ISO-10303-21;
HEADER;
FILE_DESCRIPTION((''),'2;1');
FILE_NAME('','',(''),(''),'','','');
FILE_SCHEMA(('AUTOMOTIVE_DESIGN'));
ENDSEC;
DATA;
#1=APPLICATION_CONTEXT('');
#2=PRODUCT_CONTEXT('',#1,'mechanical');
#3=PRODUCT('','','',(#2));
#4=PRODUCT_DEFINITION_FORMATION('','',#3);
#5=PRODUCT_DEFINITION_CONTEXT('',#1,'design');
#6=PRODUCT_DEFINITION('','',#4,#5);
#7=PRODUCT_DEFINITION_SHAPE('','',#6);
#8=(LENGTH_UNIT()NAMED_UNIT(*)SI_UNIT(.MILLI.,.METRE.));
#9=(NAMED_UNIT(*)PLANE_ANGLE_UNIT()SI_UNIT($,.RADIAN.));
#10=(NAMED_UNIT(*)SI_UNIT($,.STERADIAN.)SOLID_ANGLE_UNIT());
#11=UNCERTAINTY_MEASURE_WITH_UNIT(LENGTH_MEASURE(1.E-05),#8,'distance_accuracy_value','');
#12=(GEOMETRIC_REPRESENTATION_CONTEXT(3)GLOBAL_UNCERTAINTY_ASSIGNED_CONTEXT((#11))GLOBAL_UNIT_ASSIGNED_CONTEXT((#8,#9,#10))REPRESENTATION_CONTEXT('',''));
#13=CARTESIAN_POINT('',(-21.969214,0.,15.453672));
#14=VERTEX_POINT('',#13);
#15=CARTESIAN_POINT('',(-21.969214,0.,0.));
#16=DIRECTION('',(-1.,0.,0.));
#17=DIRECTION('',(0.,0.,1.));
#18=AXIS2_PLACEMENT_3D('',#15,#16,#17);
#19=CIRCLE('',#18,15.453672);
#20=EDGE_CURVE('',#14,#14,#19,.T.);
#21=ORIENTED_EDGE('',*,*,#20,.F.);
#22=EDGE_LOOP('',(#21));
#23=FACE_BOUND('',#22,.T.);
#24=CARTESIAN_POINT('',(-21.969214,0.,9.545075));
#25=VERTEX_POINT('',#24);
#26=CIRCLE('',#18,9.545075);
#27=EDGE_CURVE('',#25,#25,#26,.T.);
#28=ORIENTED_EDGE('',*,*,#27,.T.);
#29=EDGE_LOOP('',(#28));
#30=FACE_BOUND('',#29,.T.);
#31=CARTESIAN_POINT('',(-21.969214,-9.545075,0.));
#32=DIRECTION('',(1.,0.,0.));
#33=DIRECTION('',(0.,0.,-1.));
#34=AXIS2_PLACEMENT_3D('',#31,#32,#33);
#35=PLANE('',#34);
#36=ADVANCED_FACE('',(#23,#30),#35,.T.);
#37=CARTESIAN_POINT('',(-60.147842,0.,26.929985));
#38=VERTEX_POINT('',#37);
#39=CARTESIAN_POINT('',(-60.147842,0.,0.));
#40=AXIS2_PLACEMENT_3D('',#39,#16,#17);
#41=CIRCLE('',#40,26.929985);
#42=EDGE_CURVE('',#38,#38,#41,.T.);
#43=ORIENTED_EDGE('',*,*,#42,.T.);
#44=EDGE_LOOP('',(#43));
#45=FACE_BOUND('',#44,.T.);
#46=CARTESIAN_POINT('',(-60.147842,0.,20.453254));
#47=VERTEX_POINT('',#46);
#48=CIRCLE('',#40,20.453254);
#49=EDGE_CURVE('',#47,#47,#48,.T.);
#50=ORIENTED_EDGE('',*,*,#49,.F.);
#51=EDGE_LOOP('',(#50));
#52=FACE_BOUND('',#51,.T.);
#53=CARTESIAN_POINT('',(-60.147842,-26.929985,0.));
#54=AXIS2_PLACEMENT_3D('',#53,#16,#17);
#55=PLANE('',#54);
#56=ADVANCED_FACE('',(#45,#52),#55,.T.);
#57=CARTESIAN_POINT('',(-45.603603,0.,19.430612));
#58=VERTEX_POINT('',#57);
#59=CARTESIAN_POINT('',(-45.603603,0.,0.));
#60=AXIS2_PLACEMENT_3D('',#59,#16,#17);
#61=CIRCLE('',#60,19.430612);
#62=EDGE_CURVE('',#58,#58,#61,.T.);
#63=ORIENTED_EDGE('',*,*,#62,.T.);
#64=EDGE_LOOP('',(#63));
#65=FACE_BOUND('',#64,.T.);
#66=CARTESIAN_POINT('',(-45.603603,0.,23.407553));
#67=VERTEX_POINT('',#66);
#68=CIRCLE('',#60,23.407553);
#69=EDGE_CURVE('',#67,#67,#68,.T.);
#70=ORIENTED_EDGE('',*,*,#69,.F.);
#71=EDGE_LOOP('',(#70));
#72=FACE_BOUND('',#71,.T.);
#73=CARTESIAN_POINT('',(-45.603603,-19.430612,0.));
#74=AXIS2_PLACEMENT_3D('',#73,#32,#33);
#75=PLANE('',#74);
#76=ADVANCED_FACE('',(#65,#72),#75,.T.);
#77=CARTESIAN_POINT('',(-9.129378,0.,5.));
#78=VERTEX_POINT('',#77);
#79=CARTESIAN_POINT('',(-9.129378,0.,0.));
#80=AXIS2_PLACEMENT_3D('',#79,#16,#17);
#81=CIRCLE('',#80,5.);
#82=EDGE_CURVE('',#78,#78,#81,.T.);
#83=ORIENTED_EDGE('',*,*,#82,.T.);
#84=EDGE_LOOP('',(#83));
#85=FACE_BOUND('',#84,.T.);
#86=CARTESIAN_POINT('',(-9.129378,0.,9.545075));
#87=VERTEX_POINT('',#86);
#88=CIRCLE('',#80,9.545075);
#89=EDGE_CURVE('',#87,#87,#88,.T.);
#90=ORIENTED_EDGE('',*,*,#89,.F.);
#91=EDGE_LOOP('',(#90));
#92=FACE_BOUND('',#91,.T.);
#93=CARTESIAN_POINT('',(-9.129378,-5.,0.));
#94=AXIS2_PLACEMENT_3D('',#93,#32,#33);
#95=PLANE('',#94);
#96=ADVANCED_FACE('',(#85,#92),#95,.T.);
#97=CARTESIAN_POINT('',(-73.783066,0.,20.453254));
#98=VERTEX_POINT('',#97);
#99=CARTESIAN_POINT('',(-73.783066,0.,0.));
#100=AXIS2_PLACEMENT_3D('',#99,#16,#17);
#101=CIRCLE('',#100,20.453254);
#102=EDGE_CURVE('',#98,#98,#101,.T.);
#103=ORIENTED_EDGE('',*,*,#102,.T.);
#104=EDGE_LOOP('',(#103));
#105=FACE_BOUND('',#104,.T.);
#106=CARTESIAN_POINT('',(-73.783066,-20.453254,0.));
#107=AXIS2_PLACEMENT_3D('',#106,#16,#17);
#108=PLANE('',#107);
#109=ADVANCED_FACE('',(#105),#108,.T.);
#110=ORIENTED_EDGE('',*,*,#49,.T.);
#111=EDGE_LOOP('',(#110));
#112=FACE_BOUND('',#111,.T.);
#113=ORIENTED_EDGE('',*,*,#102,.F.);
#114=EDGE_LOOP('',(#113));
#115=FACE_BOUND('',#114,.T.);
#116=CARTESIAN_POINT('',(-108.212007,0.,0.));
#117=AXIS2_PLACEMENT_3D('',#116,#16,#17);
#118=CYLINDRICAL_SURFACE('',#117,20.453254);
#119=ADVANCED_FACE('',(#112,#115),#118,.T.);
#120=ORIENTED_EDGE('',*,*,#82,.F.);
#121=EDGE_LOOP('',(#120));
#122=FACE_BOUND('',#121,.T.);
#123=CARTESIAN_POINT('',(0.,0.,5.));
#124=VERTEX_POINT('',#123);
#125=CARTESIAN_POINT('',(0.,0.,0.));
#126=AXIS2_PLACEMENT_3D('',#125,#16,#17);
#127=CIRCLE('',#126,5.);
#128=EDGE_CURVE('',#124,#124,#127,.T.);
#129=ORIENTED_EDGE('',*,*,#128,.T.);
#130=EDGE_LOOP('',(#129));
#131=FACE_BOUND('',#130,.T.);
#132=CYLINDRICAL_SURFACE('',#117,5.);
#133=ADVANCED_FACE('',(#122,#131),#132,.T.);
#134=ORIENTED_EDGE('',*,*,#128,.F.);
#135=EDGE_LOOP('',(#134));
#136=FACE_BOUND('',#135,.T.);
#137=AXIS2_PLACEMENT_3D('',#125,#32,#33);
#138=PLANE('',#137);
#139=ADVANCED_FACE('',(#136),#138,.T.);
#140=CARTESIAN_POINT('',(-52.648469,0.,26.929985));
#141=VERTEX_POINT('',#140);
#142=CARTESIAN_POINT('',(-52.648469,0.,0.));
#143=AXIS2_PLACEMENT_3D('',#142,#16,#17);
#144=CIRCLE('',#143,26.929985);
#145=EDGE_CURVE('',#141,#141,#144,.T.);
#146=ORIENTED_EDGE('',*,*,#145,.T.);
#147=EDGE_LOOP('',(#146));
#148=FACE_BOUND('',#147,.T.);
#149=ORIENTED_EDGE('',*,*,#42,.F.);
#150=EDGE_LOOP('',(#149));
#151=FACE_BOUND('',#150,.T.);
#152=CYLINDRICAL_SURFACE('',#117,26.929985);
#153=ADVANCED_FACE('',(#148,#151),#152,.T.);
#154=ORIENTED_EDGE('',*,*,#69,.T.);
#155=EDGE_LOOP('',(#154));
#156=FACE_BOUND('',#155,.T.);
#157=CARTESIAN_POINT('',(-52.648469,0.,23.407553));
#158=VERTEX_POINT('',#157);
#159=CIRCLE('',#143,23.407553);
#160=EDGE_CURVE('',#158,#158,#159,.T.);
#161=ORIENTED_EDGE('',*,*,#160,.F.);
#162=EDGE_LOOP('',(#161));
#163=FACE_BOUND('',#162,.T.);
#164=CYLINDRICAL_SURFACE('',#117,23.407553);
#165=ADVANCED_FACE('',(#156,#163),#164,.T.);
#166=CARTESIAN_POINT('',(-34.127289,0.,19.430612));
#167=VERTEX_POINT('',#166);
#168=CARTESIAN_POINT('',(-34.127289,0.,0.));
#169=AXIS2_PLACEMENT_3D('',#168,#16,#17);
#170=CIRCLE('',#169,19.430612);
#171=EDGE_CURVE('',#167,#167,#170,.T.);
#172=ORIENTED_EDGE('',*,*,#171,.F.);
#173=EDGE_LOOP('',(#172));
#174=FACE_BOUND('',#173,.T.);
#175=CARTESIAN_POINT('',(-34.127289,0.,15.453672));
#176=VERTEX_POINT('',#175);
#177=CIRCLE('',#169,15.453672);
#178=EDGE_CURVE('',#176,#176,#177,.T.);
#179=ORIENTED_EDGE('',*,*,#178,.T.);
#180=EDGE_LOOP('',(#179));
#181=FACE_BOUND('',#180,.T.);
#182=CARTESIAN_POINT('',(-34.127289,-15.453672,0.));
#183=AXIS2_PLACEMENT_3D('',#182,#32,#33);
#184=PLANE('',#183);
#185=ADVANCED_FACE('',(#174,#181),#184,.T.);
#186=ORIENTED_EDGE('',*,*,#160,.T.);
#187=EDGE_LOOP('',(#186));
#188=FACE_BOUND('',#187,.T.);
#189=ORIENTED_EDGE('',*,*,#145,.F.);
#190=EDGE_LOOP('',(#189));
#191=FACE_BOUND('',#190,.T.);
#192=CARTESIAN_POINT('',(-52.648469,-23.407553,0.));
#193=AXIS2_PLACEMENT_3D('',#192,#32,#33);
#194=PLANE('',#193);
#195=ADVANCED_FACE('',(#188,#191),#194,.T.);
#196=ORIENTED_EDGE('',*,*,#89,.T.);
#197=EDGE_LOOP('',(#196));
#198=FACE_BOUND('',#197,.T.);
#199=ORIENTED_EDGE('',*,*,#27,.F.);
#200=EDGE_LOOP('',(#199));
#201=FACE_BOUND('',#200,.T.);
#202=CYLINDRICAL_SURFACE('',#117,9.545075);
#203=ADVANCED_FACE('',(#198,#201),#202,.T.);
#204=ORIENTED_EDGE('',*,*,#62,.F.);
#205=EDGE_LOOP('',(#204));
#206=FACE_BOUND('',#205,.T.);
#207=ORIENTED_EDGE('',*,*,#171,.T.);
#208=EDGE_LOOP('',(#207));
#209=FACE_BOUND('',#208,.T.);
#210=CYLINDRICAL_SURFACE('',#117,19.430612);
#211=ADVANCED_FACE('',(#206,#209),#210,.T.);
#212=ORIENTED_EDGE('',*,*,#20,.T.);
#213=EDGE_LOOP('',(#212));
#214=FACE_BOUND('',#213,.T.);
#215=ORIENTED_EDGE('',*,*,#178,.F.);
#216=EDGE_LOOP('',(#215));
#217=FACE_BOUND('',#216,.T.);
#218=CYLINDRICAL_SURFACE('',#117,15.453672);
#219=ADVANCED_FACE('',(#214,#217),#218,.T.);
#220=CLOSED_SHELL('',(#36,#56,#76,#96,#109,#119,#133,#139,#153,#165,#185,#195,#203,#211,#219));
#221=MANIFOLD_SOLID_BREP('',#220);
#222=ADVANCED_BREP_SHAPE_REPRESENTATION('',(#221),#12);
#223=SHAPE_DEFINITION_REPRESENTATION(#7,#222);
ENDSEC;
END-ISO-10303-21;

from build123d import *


with BuildPart() as part:
    # Sketch2 → Revolve1 (revolve)
    with BuildSketch(Plane.XY, mode=Mode.PRIVATE) as revolve1_sk:
        Polygon((0, 0), (0, -5), (-9.129378178, -5), (-9.129378178, -9.54507471), (-21.969214234, -9.54507471), (-21.969214234, -15.453671833), (-34.127289084, -15.453671833), (-34.127289084, -19.430612205), (-45.603602727, -19.430612205), (-45.603602727, -23.407552576), (-52.648468528, -23.407552576), (-52.648468528, -26.929985476), (-60.147841799, -26.929985476), (-60.147841799, -20.453254015), (-73.78306593, -20.453254015), (-73.78306593, 0), align=None)
    revolve(revolve1_sk.sketch.rotate(Axis((-108.212006859, 0, 0), (1, 0, 0)), 270), axis=Axis((-108.212006859, 0, 0), (1, 0, 0)))  # turned: the seam where the file's is


solid = part.part
